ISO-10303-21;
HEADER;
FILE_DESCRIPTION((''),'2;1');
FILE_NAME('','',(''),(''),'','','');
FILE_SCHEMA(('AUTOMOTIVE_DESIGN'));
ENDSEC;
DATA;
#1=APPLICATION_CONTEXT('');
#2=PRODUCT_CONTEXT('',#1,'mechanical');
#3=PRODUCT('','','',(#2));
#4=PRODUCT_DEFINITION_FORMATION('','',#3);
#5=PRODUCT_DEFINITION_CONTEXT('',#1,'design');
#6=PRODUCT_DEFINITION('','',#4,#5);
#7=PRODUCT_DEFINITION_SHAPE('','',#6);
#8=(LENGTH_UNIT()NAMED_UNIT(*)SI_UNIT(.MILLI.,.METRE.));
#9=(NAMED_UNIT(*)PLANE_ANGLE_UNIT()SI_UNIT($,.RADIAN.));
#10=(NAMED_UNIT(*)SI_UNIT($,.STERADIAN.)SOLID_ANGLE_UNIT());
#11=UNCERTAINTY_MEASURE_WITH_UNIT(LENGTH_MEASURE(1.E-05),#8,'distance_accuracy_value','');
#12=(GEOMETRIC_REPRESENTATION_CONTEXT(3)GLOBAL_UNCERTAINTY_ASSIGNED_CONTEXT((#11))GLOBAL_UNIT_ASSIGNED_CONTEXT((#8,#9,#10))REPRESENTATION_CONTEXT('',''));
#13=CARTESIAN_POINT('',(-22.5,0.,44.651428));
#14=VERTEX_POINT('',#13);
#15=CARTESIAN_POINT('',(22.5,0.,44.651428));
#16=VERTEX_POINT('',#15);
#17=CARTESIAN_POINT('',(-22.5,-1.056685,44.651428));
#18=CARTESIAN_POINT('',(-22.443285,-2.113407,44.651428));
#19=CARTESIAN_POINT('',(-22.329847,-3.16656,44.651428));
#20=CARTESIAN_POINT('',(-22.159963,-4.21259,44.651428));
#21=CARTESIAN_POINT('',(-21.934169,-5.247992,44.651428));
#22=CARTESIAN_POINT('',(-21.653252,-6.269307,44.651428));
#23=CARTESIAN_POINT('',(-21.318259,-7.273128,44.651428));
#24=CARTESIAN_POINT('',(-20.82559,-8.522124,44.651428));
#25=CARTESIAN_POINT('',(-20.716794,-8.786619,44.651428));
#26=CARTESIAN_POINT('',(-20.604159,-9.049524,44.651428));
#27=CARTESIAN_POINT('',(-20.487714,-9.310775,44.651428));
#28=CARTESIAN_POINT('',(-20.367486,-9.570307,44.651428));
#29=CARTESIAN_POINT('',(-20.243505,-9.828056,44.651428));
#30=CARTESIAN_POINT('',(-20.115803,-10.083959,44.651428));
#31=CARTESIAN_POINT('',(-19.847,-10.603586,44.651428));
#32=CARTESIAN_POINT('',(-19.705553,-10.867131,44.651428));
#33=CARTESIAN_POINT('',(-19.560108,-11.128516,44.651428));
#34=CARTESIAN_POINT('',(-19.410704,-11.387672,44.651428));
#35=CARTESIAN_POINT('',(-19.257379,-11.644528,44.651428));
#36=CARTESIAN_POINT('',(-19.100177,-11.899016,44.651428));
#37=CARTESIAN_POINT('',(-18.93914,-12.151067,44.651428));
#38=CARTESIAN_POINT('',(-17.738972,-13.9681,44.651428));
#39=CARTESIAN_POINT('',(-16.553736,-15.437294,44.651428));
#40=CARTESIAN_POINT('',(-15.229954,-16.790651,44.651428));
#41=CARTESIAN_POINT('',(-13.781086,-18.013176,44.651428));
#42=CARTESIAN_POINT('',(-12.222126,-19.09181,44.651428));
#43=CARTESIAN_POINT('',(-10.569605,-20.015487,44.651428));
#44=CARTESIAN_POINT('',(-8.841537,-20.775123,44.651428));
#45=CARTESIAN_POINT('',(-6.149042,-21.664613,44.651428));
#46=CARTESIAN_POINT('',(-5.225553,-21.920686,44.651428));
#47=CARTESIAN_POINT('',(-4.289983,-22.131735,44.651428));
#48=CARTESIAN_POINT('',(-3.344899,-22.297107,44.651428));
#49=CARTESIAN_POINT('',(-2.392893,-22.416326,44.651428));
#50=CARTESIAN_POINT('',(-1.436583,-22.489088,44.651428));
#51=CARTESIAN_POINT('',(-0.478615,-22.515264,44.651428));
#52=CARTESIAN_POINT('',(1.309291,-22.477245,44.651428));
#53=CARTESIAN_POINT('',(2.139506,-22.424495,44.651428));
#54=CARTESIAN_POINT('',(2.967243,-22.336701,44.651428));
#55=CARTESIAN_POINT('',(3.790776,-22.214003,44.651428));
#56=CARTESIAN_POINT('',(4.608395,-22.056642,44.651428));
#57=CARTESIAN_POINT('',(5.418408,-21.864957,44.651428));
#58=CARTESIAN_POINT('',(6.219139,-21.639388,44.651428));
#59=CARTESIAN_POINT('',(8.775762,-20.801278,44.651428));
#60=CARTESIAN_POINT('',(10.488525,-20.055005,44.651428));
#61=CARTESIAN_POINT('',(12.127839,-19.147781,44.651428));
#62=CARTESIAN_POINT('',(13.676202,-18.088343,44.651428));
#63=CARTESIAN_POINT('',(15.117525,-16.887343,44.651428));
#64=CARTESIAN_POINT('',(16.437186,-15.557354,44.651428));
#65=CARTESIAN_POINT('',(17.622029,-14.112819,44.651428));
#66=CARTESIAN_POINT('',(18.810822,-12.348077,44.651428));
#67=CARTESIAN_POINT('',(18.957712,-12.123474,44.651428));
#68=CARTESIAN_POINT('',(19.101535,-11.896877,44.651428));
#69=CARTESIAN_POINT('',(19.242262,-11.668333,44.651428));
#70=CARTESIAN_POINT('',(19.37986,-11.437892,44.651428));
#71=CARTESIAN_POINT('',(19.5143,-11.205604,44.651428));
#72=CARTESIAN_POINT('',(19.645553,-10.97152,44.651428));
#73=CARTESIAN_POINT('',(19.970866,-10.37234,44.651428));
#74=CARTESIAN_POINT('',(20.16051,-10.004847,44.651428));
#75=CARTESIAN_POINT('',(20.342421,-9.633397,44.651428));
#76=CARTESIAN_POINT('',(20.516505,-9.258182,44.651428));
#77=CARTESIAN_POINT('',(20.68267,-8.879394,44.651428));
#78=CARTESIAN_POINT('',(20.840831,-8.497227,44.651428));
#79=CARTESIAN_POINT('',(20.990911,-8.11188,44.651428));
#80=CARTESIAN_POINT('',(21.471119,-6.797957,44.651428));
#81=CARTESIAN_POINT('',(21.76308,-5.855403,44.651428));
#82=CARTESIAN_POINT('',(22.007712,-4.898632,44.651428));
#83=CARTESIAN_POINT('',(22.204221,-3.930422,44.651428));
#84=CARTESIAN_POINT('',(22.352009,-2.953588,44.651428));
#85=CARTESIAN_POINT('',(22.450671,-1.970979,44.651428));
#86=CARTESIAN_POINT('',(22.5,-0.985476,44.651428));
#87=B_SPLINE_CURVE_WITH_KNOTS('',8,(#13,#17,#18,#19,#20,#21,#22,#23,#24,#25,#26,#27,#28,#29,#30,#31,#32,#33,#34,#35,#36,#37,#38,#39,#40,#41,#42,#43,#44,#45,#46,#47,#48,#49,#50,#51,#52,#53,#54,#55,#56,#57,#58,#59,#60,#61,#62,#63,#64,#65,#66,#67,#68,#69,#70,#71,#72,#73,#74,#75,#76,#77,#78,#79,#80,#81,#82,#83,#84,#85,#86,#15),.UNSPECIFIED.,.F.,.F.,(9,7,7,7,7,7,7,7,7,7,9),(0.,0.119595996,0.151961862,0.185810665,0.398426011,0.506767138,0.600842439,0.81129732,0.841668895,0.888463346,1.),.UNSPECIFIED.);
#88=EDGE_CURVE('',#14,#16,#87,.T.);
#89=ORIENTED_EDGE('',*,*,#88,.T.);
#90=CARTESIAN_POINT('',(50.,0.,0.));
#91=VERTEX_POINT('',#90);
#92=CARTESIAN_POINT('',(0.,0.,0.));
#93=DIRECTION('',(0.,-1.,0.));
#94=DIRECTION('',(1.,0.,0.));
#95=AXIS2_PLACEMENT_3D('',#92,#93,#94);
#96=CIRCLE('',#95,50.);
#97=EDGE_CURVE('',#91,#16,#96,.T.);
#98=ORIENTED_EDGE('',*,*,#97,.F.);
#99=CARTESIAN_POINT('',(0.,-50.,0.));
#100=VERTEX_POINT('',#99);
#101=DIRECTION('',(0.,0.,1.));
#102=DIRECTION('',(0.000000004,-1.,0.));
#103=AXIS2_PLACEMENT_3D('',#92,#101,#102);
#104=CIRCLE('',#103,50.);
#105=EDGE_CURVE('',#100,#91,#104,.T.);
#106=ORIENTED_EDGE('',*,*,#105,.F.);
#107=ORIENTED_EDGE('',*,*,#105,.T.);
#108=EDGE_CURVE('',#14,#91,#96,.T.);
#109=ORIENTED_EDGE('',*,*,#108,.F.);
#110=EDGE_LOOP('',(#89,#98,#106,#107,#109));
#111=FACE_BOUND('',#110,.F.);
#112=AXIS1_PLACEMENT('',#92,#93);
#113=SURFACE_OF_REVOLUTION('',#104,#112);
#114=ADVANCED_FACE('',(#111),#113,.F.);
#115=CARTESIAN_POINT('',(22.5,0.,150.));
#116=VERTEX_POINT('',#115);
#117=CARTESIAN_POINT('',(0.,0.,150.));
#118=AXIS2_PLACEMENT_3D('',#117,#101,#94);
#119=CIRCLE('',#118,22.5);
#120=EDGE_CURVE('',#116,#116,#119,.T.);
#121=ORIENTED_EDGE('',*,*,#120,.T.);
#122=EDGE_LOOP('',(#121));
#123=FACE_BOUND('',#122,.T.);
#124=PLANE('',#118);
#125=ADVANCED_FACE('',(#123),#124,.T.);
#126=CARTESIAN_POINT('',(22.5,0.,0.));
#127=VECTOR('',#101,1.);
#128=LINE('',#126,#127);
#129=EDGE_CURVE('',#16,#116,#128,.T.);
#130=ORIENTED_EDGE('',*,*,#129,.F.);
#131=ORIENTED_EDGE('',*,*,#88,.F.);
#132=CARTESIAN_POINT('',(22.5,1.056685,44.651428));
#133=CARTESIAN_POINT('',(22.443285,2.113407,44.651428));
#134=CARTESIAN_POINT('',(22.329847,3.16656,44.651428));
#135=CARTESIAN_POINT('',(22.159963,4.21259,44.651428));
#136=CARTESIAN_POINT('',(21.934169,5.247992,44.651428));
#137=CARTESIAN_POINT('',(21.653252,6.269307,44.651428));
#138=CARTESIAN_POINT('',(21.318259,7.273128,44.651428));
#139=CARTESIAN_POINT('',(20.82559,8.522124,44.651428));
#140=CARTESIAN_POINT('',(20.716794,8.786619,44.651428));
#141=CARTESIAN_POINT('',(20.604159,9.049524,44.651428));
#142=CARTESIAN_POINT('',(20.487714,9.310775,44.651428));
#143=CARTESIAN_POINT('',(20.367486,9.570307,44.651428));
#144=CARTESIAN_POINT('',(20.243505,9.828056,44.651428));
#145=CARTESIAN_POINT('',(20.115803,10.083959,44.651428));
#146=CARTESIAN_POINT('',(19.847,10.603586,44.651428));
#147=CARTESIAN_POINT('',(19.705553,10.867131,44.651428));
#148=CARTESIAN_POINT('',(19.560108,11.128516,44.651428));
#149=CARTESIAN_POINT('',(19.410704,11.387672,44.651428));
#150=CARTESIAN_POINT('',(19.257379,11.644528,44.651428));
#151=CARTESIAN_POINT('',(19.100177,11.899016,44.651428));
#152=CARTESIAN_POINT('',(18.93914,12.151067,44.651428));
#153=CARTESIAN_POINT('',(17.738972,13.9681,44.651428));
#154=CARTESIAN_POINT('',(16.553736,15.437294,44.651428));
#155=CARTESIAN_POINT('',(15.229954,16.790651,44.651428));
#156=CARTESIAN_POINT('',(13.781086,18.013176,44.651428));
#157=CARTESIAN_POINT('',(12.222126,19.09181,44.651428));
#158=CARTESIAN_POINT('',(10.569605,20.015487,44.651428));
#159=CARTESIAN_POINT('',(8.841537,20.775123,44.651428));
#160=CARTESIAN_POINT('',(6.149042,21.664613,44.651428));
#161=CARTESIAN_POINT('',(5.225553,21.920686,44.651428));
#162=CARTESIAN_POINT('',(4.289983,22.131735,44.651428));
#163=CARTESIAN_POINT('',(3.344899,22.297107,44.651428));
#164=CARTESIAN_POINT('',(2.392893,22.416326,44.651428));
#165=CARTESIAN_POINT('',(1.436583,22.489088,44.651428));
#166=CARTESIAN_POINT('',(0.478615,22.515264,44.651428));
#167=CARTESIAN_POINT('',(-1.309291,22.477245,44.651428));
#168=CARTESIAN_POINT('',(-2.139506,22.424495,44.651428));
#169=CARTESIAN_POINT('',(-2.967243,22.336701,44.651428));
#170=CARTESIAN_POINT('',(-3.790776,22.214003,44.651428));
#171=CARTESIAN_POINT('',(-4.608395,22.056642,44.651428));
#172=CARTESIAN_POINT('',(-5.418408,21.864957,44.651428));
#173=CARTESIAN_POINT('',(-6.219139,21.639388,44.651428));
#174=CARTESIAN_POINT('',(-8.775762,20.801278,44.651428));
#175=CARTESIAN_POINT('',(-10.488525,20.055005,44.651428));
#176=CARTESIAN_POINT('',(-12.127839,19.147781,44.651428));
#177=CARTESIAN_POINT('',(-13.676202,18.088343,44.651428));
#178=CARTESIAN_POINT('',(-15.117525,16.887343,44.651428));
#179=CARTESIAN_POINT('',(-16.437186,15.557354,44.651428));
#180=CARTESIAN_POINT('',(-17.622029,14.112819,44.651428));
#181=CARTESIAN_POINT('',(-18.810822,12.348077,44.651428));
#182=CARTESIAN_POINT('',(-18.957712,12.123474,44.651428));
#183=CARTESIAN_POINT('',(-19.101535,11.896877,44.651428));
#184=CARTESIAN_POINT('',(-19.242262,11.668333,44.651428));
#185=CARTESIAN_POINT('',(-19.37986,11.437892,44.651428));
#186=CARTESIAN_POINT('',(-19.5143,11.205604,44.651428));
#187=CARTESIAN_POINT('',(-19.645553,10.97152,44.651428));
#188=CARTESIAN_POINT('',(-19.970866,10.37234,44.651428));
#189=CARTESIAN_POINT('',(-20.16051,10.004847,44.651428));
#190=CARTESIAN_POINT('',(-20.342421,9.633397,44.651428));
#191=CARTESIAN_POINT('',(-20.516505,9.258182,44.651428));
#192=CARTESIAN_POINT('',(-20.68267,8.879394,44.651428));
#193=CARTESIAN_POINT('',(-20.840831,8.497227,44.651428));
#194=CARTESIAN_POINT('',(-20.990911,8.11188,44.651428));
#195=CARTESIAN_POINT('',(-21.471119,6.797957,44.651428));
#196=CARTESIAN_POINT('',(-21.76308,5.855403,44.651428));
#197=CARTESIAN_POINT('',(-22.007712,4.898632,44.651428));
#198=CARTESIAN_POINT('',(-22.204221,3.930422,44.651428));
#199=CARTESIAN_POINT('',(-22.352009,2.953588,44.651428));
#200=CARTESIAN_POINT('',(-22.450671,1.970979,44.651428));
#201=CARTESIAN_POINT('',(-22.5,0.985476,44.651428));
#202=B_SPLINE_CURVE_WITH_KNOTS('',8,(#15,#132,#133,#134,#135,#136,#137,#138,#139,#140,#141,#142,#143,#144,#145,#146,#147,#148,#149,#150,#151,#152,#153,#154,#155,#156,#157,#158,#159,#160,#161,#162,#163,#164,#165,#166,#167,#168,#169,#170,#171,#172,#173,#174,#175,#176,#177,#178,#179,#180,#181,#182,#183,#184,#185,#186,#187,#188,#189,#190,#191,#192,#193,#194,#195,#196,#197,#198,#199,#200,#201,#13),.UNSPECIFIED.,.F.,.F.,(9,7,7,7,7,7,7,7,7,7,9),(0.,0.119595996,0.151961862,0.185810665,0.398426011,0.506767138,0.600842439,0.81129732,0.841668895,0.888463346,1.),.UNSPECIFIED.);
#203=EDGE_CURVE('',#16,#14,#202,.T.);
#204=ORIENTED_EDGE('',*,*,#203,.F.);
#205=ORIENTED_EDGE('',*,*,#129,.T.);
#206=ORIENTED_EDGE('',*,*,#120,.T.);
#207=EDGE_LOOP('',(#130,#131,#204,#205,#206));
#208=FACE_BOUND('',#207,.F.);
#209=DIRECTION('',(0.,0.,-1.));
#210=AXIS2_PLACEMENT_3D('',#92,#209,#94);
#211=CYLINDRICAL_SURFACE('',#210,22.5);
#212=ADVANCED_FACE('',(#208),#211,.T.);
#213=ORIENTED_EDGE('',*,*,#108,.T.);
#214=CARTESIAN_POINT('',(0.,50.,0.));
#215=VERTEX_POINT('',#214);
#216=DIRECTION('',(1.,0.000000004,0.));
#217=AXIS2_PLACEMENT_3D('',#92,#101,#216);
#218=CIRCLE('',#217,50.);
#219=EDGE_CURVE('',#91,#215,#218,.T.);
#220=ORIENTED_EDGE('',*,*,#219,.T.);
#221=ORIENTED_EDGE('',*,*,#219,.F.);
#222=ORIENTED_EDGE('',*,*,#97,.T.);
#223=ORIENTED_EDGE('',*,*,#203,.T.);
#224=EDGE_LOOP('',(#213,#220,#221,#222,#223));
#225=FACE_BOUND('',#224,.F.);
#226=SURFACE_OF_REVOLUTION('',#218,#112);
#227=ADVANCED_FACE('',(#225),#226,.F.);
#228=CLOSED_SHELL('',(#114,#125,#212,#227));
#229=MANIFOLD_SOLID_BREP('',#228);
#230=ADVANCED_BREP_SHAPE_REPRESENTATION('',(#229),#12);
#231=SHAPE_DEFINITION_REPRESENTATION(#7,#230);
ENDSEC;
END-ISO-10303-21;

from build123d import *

# Parameters (mm, degrees)
F2_R     = 22.5
F3_DEPTH = 150


with BuildPart() as f1:
    # F0 (on Top) → F1 (revolve)
    with BuildSketch(Plane.XY):
        with BuildLine():
            Line((0, 0), (50, 0))
            ThreePointArc((50, 0), (35.355339, 35.355339), (0, 50))
            Line((0, 50), (0, 0))
        make_face()
        with BuildLine():
            Line((0, 0), (0, -50))
            ThreePointArc((0, -50), (35.355339, -35.355339), (50, 0))
            Line((50, 0), (0, 0))
        make_face()
    revolve(axis=Axis((0, 0, 0), (0, -1, 0)))

    # F2 (on Top) → F3 (join)
    with BuildSketch(Plane.XY):
        Circle(F2_R)
    extrude(amount=F3_DEPTH)


solid = f1.part
